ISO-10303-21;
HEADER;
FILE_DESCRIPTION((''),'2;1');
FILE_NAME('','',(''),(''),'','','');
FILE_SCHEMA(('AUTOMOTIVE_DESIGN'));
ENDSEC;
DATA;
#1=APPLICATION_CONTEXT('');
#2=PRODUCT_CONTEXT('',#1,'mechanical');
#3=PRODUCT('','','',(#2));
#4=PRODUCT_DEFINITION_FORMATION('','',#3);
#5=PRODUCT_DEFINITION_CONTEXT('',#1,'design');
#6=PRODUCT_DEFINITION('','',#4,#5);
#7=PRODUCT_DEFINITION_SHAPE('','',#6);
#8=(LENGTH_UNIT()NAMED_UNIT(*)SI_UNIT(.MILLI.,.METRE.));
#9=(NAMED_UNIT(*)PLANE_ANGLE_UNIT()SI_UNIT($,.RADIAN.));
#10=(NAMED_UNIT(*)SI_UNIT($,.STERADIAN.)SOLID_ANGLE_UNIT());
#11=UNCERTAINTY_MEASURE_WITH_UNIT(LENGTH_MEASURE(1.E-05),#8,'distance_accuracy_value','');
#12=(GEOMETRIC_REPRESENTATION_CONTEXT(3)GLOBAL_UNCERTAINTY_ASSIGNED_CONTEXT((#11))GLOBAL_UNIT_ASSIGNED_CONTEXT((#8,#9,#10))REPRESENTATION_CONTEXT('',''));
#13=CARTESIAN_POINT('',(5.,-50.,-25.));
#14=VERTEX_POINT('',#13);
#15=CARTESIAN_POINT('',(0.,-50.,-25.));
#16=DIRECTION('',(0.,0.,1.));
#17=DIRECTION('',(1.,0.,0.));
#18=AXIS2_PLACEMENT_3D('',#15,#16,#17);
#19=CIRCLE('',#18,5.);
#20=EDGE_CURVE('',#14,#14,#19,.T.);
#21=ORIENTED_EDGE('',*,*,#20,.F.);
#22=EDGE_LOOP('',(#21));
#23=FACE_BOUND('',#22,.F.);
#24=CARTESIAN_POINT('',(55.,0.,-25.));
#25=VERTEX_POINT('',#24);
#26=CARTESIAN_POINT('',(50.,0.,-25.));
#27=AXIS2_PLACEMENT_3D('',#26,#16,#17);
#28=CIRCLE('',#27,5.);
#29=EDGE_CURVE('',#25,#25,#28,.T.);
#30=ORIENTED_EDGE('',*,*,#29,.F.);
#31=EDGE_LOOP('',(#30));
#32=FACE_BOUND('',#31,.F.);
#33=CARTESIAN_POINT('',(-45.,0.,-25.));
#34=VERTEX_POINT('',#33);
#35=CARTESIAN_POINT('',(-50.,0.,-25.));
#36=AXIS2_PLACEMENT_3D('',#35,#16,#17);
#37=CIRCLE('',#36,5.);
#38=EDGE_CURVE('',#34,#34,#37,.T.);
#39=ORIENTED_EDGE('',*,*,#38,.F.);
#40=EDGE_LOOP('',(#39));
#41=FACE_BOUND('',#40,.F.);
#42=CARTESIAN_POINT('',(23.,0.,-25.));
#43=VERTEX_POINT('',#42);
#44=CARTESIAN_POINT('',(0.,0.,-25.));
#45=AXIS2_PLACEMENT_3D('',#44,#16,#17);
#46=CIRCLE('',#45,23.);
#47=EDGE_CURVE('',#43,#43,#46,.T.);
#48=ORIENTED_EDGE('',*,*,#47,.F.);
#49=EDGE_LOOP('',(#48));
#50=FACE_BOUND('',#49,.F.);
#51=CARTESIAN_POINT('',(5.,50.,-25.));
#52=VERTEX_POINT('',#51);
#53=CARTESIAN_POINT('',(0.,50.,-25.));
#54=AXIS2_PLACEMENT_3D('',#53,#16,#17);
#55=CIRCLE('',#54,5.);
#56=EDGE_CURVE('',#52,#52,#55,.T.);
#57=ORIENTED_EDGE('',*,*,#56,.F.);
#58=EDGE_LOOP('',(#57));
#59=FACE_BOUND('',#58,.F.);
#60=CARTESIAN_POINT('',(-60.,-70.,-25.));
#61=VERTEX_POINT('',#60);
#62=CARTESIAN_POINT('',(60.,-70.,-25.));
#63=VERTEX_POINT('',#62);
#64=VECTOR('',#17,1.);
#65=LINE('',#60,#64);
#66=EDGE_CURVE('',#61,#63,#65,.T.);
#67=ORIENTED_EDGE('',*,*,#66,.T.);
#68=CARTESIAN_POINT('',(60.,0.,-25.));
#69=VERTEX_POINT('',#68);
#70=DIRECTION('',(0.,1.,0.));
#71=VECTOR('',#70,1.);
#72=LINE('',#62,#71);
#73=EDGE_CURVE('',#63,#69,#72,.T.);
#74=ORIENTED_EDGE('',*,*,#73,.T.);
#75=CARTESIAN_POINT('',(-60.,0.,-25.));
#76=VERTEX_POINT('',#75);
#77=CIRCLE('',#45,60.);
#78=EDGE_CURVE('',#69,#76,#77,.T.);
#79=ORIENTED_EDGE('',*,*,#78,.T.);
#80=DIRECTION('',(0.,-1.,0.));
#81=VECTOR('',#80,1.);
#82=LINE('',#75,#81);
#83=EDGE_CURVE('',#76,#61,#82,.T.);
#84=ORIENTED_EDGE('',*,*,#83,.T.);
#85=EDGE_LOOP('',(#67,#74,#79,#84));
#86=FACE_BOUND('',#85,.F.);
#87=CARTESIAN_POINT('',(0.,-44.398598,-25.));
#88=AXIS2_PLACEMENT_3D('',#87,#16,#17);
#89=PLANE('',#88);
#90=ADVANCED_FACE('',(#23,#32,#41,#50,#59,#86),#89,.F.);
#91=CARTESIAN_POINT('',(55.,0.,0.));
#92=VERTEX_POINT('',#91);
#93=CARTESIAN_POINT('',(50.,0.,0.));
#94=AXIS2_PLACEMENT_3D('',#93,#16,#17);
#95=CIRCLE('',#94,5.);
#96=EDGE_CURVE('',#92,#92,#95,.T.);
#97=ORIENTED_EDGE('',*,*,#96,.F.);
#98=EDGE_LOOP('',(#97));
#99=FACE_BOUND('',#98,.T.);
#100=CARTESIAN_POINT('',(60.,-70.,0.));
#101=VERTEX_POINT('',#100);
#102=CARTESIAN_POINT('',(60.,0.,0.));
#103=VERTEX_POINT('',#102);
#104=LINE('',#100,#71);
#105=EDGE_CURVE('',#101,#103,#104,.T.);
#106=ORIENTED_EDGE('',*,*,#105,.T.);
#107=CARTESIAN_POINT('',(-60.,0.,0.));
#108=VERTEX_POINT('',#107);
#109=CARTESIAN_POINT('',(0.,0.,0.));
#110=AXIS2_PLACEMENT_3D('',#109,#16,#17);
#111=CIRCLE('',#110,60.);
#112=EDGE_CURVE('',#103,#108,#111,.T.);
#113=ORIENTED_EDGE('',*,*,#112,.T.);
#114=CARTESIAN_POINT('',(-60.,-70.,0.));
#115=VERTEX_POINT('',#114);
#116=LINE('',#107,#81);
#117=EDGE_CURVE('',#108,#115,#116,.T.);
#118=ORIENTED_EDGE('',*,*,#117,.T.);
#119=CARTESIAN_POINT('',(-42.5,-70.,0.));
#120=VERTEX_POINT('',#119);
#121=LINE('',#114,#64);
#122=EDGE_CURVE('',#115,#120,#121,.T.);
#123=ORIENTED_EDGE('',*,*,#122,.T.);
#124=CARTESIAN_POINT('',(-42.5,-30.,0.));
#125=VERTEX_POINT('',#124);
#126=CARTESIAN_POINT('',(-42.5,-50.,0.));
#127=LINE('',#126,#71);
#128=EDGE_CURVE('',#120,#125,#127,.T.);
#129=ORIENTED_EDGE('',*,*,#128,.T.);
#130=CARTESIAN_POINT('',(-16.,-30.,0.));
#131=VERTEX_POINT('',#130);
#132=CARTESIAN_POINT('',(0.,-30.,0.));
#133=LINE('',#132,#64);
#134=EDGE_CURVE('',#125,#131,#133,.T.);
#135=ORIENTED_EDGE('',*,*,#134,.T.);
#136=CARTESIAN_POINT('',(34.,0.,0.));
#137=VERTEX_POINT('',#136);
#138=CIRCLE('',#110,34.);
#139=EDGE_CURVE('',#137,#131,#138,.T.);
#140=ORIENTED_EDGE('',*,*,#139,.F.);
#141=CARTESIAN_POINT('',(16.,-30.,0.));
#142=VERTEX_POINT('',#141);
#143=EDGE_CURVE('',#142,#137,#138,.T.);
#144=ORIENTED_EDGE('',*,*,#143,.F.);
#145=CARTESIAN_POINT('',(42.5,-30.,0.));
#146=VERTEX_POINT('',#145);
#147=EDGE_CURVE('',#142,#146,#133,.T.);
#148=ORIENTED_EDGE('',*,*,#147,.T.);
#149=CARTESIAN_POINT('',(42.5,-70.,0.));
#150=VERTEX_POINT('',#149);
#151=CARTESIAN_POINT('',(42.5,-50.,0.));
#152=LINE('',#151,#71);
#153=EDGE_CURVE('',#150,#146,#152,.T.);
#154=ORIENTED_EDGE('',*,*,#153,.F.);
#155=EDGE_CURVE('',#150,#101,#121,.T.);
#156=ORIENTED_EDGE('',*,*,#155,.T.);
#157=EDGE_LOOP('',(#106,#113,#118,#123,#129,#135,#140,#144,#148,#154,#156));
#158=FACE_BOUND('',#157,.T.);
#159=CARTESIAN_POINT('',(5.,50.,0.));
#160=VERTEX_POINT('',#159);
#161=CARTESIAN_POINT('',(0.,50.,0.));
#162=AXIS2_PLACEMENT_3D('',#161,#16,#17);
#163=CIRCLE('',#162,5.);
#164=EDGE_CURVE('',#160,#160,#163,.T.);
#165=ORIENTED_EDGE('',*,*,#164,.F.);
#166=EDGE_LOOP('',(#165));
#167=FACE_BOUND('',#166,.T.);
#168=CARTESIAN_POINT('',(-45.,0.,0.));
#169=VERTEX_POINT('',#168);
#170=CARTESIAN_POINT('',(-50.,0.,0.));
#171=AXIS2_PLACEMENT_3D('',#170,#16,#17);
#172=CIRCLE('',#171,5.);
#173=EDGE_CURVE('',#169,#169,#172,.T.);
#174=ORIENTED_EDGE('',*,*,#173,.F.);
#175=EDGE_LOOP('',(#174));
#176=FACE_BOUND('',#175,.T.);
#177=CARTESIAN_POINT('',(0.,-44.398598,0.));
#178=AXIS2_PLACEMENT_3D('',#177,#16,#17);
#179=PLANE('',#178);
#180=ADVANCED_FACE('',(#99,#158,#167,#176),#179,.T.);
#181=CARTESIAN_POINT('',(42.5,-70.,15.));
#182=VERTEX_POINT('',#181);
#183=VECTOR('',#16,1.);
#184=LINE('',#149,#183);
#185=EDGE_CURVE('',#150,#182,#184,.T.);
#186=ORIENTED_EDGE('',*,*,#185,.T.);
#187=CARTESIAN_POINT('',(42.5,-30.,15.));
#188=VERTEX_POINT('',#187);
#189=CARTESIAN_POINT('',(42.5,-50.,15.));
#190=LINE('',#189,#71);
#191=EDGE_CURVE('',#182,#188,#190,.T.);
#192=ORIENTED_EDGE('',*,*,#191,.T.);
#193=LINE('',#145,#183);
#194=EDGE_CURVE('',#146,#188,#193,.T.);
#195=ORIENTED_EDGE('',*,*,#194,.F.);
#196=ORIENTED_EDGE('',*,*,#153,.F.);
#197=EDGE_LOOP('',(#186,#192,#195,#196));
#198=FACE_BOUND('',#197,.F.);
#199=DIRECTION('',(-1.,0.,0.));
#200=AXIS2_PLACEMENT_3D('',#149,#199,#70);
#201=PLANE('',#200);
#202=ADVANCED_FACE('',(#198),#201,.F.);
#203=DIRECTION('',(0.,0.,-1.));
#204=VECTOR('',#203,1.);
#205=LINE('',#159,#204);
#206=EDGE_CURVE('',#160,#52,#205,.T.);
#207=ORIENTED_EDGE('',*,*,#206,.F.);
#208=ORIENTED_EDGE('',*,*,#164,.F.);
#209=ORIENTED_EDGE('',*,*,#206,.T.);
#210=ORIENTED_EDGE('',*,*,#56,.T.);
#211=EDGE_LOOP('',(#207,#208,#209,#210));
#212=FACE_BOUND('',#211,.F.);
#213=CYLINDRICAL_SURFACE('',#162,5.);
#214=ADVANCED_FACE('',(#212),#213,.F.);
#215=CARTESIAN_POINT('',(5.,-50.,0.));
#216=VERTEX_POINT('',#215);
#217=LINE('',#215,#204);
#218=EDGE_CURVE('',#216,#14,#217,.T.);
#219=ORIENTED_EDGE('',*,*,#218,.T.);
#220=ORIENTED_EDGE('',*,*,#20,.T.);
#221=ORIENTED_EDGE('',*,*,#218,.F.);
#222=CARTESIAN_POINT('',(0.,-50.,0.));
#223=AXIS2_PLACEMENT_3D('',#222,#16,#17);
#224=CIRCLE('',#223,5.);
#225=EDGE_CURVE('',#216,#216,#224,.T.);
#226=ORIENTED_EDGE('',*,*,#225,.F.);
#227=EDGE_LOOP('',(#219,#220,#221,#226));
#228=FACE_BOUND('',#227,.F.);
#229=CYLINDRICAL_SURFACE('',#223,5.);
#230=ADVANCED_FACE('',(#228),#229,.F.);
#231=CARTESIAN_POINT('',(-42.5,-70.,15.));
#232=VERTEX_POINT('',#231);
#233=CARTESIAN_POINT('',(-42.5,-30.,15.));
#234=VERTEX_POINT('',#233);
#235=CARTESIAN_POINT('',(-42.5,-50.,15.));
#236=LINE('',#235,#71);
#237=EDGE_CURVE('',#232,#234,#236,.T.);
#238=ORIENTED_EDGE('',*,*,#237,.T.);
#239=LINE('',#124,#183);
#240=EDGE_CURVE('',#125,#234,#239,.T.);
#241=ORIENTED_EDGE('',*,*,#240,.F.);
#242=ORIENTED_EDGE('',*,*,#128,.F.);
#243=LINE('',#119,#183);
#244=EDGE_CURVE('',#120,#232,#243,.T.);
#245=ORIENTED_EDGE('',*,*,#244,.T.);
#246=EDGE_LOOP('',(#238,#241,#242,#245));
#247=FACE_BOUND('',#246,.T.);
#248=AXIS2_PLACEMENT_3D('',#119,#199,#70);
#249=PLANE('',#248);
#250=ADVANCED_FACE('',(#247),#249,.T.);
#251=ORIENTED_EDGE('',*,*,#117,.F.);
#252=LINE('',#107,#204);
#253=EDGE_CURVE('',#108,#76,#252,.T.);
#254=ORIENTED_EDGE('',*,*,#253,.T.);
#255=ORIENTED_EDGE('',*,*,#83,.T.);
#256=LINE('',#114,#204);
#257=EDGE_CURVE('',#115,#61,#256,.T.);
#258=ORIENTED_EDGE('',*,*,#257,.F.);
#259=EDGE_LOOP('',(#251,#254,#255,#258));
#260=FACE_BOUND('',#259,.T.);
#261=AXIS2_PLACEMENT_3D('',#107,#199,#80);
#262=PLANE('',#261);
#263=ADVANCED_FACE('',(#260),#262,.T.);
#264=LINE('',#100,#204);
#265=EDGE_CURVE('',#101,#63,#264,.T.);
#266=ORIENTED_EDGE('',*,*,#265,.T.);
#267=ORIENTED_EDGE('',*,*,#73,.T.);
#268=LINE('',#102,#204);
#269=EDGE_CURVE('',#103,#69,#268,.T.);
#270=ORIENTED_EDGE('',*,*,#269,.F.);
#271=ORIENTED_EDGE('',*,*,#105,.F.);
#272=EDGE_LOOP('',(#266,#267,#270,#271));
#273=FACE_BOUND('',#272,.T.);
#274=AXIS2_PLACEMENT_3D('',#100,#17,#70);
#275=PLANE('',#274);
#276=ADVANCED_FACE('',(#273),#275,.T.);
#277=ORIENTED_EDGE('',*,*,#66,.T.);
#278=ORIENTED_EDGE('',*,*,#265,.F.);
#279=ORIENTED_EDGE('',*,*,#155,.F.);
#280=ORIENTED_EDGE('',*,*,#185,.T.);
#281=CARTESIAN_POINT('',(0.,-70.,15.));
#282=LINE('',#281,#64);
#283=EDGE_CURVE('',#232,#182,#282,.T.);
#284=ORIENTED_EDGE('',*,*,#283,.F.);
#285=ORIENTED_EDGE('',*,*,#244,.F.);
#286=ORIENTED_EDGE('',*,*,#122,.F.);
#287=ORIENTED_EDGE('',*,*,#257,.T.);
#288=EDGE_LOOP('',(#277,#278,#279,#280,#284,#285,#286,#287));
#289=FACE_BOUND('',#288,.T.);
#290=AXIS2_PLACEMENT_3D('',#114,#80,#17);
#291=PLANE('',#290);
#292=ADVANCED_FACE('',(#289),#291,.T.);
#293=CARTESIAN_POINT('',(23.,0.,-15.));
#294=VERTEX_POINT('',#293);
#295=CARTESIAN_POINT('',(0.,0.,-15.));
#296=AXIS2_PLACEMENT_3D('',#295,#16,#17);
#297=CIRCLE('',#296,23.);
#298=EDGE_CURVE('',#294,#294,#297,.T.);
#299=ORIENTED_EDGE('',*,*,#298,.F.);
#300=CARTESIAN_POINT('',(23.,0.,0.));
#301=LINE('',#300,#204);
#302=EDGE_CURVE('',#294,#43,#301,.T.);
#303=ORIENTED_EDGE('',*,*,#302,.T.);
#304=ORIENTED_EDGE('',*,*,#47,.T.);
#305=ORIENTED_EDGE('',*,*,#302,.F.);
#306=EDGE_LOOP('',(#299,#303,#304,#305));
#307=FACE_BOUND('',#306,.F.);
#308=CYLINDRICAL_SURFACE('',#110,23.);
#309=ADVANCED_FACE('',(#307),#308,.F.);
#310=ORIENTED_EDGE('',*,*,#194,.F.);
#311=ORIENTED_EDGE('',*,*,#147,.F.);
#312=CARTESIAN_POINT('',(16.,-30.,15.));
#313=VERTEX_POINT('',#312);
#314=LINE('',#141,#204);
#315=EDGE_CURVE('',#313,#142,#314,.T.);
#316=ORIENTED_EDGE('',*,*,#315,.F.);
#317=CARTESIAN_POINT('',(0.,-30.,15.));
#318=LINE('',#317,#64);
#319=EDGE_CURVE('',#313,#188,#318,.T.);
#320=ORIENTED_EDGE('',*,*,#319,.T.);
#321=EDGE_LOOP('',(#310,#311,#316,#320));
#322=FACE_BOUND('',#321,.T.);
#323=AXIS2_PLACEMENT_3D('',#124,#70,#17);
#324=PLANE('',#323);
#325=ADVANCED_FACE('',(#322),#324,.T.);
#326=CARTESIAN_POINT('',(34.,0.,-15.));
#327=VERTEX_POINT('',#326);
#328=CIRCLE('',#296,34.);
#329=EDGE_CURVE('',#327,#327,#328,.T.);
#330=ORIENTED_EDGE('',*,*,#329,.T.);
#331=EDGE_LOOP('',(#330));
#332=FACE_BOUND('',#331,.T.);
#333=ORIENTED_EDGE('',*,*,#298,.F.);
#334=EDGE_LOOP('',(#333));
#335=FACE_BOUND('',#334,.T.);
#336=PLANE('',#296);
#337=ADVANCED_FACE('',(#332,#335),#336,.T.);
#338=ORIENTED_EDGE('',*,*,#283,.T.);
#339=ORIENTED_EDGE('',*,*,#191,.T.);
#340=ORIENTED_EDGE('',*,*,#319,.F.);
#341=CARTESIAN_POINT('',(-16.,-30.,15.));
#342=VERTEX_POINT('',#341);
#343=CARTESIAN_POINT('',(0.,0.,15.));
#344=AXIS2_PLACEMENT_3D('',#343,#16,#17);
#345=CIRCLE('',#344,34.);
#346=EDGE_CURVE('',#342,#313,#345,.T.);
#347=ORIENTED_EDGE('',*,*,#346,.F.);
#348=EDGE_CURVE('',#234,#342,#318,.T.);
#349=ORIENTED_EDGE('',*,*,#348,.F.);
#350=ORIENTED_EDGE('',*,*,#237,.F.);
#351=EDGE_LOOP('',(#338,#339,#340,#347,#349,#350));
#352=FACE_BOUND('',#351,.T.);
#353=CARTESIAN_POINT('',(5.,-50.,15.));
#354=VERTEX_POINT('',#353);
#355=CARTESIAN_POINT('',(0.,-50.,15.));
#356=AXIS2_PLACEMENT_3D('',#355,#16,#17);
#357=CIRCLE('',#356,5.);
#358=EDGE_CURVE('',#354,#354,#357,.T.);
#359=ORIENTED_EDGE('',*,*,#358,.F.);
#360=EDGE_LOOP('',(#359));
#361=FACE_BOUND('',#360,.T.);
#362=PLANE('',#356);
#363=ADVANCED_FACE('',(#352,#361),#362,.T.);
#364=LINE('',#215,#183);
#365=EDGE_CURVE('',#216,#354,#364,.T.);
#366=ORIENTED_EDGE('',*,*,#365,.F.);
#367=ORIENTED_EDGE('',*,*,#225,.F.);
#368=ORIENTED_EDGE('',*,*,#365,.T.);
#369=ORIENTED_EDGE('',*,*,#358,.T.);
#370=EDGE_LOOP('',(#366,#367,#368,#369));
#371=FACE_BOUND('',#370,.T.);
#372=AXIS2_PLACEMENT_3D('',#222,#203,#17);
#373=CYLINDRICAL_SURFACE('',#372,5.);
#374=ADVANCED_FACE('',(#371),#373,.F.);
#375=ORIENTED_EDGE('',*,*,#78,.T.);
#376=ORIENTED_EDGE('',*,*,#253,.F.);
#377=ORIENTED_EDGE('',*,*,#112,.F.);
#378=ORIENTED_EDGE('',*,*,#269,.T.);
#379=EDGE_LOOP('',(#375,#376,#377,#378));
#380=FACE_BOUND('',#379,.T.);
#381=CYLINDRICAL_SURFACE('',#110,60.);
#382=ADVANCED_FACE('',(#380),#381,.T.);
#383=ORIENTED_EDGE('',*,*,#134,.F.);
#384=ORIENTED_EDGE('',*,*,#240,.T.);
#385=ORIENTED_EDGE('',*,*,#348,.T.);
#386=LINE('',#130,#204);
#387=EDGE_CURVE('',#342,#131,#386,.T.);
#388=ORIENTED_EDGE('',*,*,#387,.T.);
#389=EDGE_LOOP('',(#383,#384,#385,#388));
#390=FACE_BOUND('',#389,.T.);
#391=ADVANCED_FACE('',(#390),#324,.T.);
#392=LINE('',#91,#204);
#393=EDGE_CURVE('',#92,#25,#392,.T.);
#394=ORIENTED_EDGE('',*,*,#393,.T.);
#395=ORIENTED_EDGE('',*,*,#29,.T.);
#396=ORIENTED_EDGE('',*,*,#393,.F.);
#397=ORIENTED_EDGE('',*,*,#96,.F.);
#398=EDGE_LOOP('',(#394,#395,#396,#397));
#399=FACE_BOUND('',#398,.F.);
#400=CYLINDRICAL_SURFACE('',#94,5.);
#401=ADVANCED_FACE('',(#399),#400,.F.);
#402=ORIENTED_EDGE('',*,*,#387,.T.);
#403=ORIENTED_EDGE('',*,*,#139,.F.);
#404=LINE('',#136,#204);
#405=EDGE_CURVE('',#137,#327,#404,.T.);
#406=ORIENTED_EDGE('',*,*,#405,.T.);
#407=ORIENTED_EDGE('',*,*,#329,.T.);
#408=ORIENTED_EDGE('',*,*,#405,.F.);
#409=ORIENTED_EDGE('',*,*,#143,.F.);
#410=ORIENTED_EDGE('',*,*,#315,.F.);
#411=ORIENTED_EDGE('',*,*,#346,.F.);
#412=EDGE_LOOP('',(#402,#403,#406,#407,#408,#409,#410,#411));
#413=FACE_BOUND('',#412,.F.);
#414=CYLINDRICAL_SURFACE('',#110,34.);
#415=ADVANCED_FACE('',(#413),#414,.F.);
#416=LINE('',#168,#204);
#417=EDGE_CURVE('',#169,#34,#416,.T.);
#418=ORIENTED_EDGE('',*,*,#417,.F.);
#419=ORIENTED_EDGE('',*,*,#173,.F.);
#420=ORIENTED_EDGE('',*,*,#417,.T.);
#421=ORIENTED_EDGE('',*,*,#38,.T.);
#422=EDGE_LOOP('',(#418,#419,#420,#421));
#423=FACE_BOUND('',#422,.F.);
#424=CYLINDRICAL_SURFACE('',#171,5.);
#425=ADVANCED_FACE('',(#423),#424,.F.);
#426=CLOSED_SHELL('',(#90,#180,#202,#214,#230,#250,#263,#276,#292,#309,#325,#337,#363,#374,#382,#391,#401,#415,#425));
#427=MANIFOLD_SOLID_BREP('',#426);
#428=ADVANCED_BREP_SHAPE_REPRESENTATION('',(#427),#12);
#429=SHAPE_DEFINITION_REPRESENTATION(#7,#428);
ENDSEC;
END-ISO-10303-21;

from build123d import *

# Parameters (mm, degrees)
F1_DEPTH      = 25
F2_W          = 85
F2_H          = 40
F3_DEPTH      = 15
F4_R          = 5
F5_DEPTH      = 15
F5_DEPTH_BACK = 25
F6_R          = 34
F7_DEPTH      = 15
F7_DEPTH_BACK = 15
F8_R          = 23
F9_DEPTH      = 25
F10_R         = 5
F11_DEPTH     = 25


with BuildPart() as f1:
    # F0 (on Top) → F1 (new body)
    with BuildSketch(Plane.XY):
        with BuildLine():
            Line((60, -70), (60, 0))
            ThreePointArc((60, 0), (0, -60), (-60, 0))
            Line((-60, 0), (-60, -70))
            Line((-60, -70), (60, -70))
        make_face()
        with BuildLine():
            ThreePointArc((-60, 0), (0, -60), (60, 0))
            Line((60, 0), (-60, 0))
        make_face()
        with BuildLine():
            Line((-60, 0), (60, 0))
            ThreePointArc((60, 0), (0, 60), (-60, 0))
        make_face()
    extrude(amount=-F1_DEPTH)

    # F2 (on Top) → F3 (join)
    with BuildSketch(Plane.XY):
        with Locations((0, -50)):
            Rectangle(F2_W, F2_H)
    extrude(amount=F3_DEPTH)

    # F4 (on Top) → F5 (cut, two sides)
    with BuildSketch(Plane.XY) as f5_sk:
        with Locations((0, -50)):
            Circle(F4_R)
    extrude(amount=F5_DEPTH, mode=Mode.SUBTRACT)
    extrude(f5_sk.sketch, amount=-F5_DEPTH_BACK, mode=Mode.SUBTRACT)

    # F6 (on Top) → F7 (cut, two sides)
    with BuildSketch(Plane.XY) as f7_sk:
        Circle(F6_R)
    extrude(amount=-F7_DEPTH, mode=Mode.SUBTRACT)
    extrude(f7_sk.sketch, amount=F7_DEPTH_BACK, mode=Mode.SUBTRACT)

    # F8 (on Top) → F9 (cut)
    with BuildSketch(Plane.XY):
        Circle(F8_R)
    extrude(amount=-F9_DEPTH, mode=Mode.SUBTRACT)

    # F10 (on Top) → F11 (cut)
    with BuildSketch(Plane.XY):
        with Locations((-50, 0)):
            Circle(F10_R)
        with Locations((0, 50)):
            Circle(F10_R)
        with Locations((50, 0)):
            Circle(F10_R)
    extrude(amount=-F11_DEPTH, mode=Mode.SUBTRACT)


solid = f1.part
